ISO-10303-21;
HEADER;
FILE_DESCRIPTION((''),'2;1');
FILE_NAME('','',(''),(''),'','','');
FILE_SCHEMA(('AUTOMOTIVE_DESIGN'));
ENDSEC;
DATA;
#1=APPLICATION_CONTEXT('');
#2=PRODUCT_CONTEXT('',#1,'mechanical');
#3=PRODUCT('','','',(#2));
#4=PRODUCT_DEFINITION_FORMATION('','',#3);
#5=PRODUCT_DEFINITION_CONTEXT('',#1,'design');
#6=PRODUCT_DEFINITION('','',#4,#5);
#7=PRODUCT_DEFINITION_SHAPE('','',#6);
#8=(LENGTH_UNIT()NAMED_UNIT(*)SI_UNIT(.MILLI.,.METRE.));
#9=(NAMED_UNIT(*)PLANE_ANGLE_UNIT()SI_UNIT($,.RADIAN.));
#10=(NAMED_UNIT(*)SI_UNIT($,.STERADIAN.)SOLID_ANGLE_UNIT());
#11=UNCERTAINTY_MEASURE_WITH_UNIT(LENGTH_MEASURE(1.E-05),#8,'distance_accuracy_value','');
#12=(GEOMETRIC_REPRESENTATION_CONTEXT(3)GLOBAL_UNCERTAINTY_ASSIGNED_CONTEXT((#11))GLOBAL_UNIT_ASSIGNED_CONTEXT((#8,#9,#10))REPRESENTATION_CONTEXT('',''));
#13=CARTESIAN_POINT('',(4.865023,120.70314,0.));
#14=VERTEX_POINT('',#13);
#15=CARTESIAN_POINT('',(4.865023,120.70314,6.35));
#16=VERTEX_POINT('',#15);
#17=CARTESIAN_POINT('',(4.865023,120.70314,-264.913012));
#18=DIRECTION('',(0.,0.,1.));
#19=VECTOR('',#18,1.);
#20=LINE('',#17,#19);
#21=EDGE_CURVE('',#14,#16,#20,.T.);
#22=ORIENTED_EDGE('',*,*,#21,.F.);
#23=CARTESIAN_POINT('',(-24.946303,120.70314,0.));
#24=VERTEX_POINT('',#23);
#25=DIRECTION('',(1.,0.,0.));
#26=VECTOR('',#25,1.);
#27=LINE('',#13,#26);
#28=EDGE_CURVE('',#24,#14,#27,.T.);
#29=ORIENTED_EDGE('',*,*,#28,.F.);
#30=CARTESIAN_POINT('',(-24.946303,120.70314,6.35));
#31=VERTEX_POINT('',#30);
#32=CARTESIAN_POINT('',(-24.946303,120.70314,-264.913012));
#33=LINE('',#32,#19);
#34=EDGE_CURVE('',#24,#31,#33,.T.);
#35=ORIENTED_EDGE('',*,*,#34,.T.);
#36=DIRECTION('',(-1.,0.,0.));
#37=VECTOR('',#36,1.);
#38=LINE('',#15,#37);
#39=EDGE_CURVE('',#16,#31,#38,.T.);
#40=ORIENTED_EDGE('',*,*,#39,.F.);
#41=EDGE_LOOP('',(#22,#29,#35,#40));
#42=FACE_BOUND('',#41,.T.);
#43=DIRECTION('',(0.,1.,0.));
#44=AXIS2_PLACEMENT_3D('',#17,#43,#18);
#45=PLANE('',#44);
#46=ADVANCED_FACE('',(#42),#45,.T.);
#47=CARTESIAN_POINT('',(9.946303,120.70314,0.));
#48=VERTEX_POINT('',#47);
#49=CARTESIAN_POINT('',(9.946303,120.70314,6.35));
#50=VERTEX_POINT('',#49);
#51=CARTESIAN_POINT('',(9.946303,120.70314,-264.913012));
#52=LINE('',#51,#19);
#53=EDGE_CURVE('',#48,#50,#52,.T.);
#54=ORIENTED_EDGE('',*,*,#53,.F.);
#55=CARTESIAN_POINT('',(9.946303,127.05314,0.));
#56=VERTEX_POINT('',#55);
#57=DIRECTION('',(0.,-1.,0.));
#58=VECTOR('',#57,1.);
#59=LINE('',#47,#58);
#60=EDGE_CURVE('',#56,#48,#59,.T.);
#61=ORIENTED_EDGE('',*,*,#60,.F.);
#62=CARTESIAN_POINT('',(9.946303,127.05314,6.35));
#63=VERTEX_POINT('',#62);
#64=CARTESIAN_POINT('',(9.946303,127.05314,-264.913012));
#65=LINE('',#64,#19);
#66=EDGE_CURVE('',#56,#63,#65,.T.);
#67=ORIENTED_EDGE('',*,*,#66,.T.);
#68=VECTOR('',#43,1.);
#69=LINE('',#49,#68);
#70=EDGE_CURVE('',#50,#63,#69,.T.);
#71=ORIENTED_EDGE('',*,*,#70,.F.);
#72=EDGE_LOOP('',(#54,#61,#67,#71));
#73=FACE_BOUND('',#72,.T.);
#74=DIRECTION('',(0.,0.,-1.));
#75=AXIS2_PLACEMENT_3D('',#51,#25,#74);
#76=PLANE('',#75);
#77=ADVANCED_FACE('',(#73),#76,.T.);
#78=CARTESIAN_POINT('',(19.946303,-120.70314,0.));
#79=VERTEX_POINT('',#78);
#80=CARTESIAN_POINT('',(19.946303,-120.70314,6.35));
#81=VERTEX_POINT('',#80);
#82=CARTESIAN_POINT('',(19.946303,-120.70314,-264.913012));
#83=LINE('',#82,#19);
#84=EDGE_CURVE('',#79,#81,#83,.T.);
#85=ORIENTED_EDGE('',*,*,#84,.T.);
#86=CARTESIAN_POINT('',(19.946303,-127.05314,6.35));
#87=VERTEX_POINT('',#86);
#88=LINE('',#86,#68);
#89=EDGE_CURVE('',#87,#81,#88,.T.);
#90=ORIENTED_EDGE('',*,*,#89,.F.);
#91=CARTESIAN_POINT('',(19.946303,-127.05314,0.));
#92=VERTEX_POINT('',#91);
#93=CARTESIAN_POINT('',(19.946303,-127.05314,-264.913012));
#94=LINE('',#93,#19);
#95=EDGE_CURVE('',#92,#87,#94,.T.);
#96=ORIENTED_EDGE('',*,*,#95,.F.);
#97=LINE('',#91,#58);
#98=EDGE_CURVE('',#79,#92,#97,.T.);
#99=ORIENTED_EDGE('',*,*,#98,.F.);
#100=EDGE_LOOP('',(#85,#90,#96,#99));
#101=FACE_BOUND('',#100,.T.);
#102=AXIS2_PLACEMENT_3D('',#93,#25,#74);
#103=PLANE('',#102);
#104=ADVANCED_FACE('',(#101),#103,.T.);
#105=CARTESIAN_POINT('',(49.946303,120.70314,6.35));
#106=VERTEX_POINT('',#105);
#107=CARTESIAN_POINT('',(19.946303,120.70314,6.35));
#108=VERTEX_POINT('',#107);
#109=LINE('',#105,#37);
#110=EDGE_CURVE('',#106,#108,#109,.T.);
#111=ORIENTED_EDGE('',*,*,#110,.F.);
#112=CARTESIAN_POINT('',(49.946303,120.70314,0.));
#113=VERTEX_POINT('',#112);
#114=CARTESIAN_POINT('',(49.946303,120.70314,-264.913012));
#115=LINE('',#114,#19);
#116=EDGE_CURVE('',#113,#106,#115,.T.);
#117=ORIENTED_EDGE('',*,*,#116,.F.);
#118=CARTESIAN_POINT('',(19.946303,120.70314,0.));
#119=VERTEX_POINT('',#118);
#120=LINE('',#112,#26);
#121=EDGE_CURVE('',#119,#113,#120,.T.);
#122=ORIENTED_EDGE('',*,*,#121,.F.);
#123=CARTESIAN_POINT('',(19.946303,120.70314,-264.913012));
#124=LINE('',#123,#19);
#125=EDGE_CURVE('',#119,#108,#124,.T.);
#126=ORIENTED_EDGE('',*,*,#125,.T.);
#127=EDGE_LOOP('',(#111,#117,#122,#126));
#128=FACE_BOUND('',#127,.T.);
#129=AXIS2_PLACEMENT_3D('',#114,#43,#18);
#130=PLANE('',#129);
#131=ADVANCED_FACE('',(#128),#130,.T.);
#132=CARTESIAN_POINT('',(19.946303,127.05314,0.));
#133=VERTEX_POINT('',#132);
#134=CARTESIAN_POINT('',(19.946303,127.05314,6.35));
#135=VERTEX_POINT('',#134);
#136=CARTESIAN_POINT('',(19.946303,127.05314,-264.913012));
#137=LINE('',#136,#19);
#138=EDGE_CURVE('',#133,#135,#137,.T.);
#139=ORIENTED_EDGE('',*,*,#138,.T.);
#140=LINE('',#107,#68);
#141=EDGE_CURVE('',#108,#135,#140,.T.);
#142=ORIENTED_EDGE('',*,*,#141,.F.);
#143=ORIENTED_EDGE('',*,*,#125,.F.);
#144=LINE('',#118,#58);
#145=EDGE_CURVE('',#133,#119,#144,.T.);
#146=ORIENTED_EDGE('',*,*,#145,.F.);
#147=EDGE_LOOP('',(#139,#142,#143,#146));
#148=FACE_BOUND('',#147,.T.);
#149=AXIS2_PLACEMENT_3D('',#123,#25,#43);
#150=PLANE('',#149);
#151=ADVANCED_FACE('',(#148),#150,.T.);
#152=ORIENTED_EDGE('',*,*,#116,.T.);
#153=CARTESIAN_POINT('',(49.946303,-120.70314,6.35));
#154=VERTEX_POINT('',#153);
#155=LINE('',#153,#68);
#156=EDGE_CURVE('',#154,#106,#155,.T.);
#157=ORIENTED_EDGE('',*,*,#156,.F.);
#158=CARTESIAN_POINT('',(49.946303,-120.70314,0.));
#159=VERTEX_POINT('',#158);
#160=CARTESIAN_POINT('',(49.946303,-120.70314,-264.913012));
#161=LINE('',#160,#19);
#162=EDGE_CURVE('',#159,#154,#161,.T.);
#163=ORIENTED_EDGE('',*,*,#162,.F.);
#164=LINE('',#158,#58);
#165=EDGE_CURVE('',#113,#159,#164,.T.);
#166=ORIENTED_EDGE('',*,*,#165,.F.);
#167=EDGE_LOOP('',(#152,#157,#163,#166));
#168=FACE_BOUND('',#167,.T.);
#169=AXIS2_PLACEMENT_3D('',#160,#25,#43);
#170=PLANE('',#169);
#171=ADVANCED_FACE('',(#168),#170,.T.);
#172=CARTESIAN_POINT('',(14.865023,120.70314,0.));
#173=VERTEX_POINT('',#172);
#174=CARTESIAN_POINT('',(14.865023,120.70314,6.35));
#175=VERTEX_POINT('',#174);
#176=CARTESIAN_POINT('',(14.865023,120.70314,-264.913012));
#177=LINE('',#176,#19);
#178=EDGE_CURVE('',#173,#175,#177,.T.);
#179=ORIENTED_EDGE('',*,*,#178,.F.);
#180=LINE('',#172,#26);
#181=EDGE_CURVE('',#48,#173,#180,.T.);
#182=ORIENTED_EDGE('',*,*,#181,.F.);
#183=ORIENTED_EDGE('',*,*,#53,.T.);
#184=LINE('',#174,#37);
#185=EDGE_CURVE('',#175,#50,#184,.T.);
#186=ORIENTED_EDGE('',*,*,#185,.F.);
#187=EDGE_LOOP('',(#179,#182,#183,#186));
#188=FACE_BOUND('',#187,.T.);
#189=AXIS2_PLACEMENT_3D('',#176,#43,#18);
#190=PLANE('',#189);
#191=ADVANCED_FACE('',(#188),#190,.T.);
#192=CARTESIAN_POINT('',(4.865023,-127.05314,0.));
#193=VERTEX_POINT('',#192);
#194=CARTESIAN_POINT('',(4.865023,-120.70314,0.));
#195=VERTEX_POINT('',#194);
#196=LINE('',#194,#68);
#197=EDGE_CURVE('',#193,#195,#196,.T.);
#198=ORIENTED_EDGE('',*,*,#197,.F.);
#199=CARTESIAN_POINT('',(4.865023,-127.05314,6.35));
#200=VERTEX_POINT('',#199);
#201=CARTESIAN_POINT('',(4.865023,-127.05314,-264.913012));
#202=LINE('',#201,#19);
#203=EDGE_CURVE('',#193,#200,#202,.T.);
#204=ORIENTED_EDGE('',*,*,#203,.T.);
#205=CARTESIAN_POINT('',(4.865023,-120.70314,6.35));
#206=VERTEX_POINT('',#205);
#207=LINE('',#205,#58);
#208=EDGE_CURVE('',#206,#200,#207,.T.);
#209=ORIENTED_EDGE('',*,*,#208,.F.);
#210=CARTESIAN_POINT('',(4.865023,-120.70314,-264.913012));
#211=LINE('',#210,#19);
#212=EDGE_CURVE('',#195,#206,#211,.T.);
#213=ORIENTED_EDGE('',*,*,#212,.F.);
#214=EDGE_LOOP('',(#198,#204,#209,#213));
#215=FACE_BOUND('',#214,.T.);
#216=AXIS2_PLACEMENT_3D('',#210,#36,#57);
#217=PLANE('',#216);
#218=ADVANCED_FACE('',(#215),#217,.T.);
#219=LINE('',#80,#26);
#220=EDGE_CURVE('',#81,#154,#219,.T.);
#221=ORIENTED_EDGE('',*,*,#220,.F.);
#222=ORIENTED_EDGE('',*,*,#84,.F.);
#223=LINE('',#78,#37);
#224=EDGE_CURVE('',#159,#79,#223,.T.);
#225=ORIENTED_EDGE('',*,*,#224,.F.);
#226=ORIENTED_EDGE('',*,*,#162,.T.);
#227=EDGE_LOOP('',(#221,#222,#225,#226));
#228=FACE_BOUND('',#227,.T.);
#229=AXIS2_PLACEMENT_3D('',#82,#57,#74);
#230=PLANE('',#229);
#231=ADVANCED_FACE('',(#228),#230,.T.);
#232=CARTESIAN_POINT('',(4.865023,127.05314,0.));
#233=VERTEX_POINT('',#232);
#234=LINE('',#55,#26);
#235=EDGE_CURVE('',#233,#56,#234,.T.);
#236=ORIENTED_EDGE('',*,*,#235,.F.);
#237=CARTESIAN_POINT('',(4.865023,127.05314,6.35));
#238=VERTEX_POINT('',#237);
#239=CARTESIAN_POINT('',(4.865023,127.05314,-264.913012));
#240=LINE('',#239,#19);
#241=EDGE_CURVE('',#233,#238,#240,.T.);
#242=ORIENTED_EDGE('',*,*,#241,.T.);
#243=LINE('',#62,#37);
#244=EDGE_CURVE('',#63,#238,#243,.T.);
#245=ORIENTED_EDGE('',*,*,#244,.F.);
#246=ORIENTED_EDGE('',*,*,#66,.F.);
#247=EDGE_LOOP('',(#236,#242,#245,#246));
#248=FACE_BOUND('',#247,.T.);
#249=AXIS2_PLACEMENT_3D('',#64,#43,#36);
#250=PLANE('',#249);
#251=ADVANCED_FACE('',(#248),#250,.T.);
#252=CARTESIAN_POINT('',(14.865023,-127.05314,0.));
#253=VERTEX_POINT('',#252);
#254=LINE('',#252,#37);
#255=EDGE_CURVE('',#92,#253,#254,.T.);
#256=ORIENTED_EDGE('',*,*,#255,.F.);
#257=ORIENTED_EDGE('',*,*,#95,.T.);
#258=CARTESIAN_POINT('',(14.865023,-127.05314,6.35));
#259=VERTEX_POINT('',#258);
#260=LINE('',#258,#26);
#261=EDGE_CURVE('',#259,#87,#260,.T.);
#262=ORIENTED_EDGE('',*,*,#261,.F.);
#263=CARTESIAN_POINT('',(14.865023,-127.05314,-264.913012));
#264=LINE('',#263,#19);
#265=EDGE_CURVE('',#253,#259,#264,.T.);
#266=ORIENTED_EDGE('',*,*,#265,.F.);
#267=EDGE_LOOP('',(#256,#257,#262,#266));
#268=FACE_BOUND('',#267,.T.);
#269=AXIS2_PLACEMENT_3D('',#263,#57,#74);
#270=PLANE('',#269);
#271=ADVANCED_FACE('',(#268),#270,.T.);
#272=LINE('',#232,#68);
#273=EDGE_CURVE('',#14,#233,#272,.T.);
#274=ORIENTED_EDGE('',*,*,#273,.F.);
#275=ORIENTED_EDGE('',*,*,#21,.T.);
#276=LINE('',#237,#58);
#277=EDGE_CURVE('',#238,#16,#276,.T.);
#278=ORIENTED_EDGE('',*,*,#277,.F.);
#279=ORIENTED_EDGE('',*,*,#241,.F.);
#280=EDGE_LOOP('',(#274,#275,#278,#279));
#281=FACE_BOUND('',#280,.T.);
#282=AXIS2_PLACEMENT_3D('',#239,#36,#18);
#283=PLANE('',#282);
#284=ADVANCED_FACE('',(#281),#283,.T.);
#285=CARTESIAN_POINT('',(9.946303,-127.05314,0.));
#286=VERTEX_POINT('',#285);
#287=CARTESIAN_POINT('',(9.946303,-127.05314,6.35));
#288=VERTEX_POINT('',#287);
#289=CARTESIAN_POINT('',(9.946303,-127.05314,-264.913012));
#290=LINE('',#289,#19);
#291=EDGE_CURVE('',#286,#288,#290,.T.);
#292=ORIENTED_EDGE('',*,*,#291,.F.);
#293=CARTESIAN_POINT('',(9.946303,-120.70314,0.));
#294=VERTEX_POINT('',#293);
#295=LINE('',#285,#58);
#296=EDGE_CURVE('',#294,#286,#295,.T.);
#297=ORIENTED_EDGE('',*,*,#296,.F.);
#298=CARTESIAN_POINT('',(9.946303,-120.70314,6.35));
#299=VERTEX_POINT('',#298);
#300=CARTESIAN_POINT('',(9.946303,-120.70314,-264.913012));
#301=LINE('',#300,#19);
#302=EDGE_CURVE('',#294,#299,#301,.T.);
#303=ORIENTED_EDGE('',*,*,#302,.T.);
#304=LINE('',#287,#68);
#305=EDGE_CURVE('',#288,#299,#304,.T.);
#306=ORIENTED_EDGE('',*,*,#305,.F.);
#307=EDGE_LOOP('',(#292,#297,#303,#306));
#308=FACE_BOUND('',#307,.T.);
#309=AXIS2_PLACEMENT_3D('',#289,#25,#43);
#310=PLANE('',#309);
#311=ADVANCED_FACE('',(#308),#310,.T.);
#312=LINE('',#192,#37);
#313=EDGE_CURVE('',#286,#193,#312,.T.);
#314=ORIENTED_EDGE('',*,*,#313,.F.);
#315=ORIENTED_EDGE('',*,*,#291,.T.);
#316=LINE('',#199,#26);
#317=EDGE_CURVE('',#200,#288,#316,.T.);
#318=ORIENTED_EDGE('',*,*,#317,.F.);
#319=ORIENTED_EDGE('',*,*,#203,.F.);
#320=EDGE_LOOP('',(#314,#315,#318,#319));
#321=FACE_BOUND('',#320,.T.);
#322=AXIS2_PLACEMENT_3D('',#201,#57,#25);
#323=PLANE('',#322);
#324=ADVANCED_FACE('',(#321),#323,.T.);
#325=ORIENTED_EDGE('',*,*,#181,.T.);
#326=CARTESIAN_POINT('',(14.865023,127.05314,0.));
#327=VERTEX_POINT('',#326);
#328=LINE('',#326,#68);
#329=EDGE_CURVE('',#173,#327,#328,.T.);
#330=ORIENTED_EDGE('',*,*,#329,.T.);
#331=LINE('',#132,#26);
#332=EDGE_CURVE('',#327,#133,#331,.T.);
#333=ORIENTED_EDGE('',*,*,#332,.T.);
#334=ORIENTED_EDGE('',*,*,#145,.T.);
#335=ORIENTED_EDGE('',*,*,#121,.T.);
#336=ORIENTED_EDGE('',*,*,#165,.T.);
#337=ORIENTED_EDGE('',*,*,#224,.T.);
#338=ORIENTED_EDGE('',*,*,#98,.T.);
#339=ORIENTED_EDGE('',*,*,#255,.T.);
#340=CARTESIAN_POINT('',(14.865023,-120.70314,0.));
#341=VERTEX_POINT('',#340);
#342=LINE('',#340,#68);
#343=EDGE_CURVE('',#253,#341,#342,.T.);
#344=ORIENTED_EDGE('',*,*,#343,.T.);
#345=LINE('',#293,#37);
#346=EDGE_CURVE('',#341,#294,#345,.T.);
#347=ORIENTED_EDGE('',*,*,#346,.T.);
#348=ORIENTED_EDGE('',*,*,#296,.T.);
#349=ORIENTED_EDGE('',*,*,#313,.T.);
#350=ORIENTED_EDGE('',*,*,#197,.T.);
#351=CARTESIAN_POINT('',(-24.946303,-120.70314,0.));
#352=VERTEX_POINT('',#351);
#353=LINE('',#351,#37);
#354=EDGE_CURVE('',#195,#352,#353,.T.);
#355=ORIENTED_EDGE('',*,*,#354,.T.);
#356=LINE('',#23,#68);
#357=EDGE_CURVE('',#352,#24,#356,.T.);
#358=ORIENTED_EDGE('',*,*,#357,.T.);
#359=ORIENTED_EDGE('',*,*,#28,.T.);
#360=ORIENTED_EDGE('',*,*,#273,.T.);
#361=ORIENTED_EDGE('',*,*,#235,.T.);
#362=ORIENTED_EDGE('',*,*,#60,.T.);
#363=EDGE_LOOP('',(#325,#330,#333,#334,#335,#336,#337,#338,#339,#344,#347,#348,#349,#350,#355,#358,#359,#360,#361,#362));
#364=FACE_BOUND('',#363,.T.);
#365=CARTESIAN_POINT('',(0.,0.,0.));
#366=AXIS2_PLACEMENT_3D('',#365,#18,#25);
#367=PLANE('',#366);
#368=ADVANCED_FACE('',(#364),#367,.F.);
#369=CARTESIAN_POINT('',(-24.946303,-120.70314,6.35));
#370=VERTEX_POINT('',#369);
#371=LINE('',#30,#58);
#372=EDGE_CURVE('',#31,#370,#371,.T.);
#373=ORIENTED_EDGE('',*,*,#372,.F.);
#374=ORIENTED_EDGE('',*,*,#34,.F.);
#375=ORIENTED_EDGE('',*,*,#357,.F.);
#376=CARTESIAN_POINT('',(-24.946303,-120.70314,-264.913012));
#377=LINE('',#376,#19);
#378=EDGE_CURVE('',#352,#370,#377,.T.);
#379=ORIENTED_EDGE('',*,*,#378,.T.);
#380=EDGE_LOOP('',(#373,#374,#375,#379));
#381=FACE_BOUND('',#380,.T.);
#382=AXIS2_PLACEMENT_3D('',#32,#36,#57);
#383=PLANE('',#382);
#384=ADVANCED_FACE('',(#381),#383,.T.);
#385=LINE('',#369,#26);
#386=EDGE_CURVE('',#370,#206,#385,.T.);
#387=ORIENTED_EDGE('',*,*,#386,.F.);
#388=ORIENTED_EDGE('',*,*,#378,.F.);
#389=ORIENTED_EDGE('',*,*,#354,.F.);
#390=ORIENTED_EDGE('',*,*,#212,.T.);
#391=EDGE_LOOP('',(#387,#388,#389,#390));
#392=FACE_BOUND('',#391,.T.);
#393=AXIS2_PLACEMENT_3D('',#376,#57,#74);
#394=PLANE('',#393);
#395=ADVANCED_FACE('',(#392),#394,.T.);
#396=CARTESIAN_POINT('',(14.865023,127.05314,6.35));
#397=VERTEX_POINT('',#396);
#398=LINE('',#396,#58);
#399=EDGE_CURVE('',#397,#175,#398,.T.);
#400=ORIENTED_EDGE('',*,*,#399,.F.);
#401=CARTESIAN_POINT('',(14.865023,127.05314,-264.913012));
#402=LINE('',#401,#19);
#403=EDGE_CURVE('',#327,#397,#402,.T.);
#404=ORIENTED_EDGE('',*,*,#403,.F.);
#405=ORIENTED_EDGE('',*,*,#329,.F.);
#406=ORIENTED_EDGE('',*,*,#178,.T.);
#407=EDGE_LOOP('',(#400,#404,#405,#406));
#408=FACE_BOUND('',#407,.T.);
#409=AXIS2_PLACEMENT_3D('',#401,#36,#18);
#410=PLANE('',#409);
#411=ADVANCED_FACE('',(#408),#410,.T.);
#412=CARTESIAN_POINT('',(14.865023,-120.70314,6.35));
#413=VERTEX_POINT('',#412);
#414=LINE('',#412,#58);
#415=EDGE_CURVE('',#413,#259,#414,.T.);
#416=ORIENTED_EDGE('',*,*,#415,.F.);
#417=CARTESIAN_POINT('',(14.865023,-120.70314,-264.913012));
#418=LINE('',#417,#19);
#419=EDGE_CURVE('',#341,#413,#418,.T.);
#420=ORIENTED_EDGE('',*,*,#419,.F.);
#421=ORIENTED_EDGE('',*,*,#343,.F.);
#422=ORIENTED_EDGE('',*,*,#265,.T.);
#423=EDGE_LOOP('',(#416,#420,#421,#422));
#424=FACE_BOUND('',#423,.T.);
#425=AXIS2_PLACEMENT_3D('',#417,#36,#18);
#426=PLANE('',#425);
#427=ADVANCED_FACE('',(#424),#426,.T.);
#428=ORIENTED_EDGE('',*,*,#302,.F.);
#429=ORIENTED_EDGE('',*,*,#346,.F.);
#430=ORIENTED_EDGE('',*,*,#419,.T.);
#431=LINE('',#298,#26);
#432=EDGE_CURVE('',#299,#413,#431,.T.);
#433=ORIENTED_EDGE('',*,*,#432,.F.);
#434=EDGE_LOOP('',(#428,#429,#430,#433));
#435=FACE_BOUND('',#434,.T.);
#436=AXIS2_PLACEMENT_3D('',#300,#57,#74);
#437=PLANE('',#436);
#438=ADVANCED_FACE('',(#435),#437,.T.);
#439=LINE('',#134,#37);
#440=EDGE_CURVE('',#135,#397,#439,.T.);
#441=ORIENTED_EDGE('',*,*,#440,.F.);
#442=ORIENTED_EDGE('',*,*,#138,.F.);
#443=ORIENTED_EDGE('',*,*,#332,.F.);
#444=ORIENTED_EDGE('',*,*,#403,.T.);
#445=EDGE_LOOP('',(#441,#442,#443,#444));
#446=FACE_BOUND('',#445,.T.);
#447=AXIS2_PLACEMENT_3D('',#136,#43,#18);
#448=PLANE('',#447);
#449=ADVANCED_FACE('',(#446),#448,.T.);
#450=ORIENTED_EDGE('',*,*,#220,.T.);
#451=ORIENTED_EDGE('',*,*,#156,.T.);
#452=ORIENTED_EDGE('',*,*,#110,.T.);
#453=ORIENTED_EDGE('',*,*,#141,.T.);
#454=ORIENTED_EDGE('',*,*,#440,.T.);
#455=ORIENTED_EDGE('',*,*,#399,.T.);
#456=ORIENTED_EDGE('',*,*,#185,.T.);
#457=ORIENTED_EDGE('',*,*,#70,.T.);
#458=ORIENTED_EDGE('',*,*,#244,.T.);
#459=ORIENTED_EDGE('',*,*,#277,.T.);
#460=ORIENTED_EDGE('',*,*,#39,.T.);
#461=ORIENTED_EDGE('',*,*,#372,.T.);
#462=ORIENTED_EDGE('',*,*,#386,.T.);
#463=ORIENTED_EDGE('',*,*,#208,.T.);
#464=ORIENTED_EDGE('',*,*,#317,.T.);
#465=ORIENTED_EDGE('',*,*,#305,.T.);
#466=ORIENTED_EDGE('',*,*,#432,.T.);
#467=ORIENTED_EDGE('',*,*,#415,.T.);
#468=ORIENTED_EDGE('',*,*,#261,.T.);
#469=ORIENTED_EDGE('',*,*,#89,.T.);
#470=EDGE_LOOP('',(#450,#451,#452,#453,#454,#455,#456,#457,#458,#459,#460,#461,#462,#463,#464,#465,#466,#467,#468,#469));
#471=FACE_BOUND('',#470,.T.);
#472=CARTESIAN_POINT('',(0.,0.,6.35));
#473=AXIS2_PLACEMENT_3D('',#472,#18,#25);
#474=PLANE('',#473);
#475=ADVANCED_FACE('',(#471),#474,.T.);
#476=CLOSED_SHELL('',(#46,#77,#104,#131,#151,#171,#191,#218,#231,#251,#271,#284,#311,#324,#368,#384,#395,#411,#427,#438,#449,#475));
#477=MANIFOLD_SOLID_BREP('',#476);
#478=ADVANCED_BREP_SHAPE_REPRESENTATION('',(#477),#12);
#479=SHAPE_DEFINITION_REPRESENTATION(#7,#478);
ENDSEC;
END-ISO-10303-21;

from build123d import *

# Parameters (mm, degrees)
SKETCH1_W           = 49.8113264
SKETCH1_H           = 241.325
SKETCH1_W_2         = 5
SKETCH1_H_2         = 6.35
SKETCH1_W_3         = 25
BOSS_EXTRUDE1_DEPTH = 6.35
BOSS_EXTRUDE2_DEPTH = 6.35


with BuildPart() as part:
    # Sketch1 → Boss-Extrude1 (new body)
    with BuildSketch(Plane.XY):
        Rectangle(SKETCH1_W, SKETCH1_H)
        with Locations((17.4056632, 123.8375)):
            Rectangle(SKETCH1_W_2, SKETCH1_H_2)
        with Locations((7.4056632, 123.8375)):
            Rectangle(SKETCH1_W_2, SKETCH1_H_2)
        with Locations((7.4056632, -123.8375)):
            Rectangle(SKETCH1_W_2, SKETCH1_H_2)
        with Locations((17.4056632, -123.8375)):
            Rectangle(SKETCH1_W_2, SKETCH1_H_2)
        with Locations((37.4056632, 0)):
            Rectangle(SKETCH1_W_3, SKETCH1_H)
    extrude(amount=BOSS_EXTRUDE1_DEPTH)

    # Sketch2 → Boss-Extrude2 (add)
    with BuildSketch(Plane.XY.offset(6.35)):
        Polygon((49.9463032, -120.70314), (49.9463032, 120.70314), (19.9463032, 120.70314), (19.9463032, 127.05314), (14.8650232, 127.05314), (14.8650232, 120.70314), (9.9463032, 120.70314), (9.9463032, 127.05314), (4.8650232, 127.05314), (4.8650232, 120.70314), (-24.9463032, 120.70314), (-24.9463032, -120.70314), (4.8650232, -120.70314), (4.8650232, -127.05314), (9.9463032, -127.05314), (9.9463032, -120.70314), (14.8650232, -120.70314), (14.8650232, -127.05314), (19.9463032, -127.05314), (19.9463032, -120.70314), align=None)
    extrude(amount=-BOSS_EXTRUDE2_DEPTH)


solid = part.part
